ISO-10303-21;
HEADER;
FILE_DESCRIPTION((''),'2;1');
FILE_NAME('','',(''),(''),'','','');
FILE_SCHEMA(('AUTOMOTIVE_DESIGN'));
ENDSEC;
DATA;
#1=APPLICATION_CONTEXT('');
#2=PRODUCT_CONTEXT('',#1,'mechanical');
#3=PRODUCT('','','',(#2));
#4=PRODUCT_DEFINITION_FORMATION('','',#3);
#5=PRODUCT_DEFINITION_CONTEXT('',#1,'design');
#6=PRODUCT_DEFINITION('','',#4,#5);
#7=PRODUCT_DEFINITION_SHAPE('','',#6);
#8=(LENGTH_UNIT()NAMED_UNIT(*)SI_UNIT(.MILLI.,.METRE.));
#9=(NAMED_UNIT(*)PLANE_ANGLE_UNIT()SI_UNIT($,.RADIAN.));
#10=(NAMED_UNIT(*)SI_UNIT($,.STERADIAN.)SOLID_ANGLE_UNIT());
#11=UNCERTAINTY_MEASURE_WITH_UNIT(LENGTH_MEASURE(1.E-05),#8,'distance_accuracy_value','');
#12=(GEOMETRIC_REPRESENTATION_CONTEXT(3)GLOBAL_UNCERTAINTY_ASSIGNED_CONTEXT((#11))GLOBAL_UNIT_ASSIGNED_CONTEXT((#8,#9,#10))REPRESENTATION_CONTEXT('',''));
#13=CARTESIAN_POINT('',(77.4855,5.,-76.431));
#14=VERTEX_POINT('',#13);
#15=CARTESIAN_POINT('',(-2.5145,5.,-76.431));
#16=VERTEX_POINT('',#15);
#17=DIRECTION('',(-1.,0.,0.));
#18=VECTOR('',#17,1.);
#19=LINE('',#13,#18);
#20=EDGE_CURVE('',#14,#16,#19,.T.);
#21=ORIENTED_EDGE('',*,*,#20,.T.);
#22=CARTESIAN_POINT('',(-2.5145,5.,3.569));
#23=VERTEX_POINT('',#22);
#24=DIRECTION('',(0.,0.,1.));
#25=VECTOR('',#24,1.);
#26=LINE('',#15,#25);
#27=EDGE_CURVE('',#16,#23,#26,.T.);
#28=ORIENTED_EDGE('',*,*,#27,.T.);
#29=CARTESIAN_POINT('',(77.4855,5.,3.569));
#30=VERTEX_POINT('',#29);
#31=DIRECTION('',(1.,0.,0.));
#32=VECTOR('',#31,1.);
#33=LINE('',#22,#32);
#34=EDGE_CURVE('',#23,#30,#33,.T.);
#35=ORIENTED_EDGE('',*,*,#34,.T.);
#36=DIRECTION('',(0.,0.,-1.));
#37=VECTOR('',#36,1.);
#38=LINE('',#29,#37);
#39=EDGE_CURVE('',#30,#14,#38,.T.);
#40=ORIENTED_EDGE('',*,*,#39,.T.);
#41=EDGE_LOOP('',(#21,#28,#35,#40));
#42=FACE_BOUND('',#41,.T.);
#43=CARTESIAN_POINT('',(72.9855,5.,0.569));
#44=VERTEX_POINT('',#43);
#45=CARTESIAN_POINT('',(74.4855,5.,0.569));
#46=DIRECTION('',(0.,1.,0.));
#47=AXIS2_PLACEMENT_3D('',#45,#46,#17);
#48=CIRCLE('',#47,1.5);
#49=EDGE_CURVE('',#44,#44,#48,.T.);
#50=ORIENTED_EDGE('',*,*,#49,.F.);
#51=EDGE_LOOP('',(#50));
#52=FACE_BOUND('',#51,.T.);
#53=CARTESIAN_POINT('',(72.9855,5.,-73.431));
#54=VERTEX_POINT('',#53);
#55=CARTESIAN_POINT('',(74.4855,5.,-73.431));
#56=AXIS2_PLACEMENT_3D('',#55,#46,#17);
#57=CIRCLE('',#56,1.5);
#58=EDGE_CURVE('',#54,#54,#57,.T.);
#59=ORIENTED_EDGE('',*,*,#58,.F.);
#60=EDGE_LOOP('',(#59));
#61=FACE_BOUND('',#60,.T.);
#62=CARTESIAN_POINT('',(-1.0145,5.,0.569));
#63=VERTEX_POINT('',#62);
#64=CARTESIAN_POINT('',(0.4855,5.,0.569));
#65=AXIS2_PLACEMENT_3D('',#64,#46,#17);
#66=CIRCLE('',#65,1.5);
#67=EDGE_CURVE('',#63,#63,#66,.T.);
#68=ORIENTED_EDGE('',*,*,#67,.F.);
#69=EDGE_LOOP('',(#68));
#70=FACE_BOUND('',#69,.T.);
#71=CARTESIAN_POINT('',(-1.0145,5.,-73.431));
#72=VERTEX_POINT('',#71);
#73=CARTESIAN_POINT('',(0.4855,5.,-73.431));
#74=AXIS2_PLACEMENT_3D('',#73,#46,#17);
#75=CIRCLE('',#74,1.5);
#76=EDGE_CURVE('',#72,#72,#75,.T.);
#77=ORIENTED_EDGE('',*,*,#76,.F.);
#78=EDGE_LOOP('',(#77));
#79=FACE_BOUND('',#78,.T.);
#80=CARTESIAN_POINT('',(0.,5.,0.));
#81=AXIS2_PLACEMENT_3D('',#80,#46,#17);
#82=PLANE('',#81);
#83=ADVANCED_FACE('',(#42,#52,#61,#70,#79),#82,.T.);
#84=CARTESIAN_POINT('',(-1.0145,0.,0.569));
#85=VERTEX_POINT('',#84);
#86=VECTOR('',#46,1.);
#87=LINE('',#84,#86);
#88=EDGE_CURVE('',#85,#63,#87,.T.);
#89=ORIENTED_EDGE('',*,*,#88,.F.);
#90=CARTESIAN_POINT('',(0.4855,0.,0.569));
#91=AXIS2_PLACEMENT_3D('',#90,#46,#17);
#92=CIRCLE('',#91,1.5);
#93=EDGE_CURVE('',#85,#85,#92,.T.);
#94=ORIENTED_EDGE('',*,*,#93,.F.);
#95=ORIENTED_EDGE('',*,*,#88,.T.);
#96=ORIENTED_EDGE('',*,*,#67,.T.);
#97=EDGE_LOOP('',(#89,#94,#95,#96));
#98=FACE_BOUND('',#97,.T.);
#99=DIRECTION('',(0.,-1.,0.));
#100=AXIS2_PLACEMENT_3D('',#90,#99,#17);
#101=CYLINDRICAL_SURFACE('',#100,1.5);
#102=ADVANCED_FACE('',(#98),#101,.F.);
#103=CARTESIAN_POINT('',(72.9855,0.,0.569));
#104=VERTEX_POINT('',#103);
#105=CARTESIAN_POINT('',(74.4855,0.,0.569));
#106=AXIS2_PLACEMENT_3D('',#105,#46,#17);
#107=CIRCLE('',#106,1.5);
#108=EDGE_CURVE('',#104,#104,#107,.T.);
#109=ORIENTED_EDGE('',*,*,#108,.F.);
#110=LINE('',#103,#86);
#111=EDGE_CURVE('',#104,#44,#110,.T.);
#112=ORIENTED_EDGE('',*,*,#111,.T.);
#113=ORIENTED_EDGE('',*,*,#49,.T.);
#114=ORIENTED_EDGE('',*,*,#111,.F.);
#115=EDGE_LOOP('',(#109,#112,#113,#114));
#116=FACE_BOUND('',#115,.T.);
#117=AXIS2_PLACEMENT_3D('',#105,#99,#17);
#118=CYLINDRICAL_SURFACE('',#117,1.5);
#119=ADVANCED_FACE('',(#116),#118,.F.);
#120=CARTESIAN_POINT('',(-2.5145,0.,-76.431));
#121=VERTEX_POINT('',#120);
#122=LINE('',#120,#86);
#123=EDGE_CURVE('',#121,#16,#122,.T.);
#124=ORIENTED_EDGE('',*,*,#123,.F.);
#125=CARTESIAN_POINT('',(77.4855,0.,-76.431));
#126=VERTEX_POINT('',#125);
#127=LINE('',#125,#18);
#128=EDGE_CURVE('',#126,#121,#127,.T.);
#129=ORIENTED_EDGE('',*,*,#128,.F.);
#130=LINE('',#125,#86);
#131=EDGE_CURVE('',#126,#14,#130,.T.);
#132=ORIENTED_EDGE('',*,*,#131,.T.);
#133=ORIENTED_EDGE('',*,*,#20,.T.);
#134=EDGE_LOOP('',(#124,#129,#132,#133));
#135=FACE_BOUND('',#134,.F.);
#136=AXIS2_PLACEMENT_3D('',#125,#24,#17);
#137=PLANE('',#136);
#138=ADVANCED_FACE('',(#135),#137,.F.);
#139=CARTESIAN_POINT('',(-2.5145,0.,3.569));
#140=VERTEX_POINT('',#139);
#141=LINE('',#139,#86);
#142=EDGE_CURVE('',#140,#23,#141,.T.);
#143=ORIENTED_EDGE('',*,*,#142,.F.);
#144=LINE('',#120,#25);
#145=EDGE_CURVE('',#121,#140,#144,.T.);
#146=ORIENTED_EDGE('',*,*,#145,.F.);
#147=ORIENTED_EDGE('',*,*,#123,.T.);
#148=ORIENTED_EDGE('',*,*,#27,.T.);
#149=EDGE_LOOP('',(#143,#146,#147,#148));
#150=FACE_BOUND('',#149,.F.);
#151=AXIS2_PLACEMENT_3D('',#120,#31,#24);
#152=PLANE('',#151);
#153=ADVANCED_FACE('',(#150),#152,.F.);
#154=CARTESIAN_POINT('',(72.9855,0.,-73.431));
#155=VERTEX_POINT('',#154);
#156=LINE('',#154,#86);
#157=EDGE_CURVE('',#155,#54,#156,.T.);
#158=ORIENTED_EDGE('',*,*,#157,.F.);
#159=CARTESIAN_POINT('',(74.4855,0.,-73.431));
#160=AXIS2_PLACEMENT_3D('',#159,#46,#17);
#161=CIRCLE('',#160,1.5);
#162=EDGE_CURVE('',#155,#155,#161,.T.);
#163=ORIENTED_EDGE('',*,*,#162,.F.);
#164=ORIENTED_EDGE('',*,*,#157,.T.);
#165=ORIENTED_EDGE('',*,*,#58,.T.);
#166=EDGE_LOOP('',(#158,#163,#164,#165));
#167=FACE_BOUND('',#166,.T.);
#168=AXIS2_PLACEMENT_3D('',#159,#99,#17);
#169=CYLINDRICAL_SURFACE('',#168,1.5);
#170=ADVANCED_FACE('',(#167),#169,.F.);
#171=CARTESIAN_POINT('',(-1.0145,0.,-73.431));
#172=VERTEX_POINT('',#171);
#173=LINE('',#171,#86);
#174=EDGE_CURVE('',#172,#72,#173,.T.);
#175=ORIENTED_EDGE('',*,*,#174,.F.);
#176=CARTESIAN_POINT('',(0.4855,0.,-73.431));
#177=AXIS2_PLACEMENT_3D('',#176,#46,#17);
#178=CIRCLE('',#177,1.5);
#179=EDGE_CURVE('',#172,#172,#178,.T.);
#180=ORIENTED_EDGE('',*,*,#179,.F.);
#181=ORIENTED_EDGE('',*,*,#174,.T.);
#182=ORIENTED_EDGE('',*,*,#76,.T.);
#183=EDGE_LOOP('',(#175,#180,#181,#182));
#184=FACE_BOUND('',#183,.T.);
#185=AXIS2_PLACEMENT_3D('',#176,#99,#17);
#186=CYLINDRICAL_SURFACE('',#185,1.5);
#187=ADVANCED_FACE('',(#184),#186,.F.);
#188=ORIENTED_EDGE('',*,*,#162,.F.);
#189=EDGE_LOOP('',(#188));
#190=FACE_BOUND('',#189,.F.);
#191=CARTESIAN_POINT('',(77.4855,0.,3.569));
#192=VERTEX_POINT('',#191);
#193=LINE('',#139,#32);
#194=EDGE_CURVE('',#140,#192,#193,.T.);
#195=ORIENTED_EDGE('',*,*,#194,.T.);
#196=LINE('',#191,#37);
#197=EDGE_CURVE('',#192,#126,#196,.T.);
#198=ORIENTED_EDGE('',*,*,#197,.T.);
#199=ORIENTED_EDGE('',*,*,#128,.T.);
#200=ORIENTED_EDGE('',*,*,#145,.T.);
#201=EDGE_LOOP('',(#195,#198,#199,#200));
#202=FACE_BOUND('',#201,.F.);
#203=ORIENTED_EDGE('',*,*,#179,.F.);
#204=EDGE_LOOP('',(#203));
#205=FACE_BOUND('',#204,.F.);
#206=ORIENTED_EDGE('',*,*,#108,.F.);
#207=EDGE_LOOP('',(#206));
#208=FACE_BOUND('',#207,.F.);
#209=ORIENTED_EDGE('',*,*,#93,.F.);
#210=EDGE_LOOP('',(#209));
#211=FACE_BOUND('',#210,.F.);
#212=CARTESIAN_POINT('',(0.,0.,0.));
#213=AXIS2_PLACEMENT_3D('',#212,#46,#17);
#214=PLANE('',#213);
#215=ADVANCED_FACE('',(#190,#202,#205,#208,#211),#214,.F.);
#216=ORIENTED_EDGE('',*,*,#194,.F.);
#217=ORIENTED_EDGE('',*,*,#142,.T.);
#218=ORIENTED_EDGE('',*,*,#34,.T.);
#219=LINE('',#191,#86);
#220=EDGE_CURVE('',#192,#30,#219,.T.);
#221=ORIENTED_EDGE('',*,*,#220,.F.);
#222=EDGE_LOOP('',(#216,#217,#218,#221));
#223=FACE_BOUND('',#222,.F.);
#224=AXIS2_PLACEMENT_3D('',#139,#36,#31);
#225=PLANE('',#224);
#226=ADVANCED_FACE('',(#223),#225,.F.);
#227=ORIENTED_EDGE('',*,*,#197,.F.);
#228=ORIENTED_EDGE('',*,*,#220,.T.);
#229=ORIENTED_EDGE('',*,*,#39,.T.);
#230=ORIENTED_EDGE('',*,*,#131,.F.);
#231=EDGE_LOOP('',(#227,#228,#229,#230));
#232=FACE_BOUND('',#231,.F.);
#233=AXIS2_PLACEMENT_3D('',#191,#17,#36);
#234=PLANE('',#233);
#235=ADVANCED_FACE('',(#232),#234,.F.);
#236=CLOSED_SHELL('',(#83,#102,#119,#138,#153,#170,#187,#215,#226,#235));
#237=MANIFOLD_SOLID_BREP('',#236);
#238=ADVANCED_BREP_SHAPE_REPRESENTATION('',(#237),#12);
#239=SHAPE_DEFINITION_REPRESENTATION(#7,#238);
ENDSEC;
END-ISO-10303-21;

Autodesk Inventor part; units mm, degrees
ref_plane "YZ Plane" through (0, 0, 0) normal (1, 0, 0) x (0, 1, 0)
ref_plane "XZ Plane" through (0, 0, 0) normal (0, 1, 0) x (-1, 0, 0)
ref_plane "XY Plane" through (0, 0, 0) normal (0, 0, 1) x (1, 0, 0)
sketch "Sketch1" plane through (0, 0, 0) normal (0, 1, 0) x (-1, 0, 0)
  line L0 (2.5145, 3.569) -> (-77.4855, 3.569)
  line L1 (-77.4855, 3.569) -> (-77.4855, -76.431)
  line L2 (-77.4855, -76.431) -> (2.5145, -76.431)
  line L3 (2.5145, -76.431) -> (2.5145, 3.569)
  circle A0 centre (-0.4855, 0.569) radius 1.5
  circle A1 centre (-0.4855, -73.431) radius 1.5
  circle A2 centre (-74.4855, 0.569) radius 1.5
  circle A3 centre (-74.4855, -73.431) radius 1.5
  point P0 (0, 0)
  dimension "d0" = 80
  dimension "d1" = 80
  dimension "d4" = 3
  dimension "d5" = 3
  dimension "d6" = 3
  dimension "d7" = 3
  dimension "d8" = 3
  dimension "d9" = 3
  dimension "d10" = 3
  dimension "d11" = 3
  dimension "d12" = 3
  dimension "d13" = 3
  dimension "d14" = 3
  dimension "d15" = 3
extrude "Extrusion1" add sketch "Sketch1" along normal blind 5
properties part number "support_balise"
